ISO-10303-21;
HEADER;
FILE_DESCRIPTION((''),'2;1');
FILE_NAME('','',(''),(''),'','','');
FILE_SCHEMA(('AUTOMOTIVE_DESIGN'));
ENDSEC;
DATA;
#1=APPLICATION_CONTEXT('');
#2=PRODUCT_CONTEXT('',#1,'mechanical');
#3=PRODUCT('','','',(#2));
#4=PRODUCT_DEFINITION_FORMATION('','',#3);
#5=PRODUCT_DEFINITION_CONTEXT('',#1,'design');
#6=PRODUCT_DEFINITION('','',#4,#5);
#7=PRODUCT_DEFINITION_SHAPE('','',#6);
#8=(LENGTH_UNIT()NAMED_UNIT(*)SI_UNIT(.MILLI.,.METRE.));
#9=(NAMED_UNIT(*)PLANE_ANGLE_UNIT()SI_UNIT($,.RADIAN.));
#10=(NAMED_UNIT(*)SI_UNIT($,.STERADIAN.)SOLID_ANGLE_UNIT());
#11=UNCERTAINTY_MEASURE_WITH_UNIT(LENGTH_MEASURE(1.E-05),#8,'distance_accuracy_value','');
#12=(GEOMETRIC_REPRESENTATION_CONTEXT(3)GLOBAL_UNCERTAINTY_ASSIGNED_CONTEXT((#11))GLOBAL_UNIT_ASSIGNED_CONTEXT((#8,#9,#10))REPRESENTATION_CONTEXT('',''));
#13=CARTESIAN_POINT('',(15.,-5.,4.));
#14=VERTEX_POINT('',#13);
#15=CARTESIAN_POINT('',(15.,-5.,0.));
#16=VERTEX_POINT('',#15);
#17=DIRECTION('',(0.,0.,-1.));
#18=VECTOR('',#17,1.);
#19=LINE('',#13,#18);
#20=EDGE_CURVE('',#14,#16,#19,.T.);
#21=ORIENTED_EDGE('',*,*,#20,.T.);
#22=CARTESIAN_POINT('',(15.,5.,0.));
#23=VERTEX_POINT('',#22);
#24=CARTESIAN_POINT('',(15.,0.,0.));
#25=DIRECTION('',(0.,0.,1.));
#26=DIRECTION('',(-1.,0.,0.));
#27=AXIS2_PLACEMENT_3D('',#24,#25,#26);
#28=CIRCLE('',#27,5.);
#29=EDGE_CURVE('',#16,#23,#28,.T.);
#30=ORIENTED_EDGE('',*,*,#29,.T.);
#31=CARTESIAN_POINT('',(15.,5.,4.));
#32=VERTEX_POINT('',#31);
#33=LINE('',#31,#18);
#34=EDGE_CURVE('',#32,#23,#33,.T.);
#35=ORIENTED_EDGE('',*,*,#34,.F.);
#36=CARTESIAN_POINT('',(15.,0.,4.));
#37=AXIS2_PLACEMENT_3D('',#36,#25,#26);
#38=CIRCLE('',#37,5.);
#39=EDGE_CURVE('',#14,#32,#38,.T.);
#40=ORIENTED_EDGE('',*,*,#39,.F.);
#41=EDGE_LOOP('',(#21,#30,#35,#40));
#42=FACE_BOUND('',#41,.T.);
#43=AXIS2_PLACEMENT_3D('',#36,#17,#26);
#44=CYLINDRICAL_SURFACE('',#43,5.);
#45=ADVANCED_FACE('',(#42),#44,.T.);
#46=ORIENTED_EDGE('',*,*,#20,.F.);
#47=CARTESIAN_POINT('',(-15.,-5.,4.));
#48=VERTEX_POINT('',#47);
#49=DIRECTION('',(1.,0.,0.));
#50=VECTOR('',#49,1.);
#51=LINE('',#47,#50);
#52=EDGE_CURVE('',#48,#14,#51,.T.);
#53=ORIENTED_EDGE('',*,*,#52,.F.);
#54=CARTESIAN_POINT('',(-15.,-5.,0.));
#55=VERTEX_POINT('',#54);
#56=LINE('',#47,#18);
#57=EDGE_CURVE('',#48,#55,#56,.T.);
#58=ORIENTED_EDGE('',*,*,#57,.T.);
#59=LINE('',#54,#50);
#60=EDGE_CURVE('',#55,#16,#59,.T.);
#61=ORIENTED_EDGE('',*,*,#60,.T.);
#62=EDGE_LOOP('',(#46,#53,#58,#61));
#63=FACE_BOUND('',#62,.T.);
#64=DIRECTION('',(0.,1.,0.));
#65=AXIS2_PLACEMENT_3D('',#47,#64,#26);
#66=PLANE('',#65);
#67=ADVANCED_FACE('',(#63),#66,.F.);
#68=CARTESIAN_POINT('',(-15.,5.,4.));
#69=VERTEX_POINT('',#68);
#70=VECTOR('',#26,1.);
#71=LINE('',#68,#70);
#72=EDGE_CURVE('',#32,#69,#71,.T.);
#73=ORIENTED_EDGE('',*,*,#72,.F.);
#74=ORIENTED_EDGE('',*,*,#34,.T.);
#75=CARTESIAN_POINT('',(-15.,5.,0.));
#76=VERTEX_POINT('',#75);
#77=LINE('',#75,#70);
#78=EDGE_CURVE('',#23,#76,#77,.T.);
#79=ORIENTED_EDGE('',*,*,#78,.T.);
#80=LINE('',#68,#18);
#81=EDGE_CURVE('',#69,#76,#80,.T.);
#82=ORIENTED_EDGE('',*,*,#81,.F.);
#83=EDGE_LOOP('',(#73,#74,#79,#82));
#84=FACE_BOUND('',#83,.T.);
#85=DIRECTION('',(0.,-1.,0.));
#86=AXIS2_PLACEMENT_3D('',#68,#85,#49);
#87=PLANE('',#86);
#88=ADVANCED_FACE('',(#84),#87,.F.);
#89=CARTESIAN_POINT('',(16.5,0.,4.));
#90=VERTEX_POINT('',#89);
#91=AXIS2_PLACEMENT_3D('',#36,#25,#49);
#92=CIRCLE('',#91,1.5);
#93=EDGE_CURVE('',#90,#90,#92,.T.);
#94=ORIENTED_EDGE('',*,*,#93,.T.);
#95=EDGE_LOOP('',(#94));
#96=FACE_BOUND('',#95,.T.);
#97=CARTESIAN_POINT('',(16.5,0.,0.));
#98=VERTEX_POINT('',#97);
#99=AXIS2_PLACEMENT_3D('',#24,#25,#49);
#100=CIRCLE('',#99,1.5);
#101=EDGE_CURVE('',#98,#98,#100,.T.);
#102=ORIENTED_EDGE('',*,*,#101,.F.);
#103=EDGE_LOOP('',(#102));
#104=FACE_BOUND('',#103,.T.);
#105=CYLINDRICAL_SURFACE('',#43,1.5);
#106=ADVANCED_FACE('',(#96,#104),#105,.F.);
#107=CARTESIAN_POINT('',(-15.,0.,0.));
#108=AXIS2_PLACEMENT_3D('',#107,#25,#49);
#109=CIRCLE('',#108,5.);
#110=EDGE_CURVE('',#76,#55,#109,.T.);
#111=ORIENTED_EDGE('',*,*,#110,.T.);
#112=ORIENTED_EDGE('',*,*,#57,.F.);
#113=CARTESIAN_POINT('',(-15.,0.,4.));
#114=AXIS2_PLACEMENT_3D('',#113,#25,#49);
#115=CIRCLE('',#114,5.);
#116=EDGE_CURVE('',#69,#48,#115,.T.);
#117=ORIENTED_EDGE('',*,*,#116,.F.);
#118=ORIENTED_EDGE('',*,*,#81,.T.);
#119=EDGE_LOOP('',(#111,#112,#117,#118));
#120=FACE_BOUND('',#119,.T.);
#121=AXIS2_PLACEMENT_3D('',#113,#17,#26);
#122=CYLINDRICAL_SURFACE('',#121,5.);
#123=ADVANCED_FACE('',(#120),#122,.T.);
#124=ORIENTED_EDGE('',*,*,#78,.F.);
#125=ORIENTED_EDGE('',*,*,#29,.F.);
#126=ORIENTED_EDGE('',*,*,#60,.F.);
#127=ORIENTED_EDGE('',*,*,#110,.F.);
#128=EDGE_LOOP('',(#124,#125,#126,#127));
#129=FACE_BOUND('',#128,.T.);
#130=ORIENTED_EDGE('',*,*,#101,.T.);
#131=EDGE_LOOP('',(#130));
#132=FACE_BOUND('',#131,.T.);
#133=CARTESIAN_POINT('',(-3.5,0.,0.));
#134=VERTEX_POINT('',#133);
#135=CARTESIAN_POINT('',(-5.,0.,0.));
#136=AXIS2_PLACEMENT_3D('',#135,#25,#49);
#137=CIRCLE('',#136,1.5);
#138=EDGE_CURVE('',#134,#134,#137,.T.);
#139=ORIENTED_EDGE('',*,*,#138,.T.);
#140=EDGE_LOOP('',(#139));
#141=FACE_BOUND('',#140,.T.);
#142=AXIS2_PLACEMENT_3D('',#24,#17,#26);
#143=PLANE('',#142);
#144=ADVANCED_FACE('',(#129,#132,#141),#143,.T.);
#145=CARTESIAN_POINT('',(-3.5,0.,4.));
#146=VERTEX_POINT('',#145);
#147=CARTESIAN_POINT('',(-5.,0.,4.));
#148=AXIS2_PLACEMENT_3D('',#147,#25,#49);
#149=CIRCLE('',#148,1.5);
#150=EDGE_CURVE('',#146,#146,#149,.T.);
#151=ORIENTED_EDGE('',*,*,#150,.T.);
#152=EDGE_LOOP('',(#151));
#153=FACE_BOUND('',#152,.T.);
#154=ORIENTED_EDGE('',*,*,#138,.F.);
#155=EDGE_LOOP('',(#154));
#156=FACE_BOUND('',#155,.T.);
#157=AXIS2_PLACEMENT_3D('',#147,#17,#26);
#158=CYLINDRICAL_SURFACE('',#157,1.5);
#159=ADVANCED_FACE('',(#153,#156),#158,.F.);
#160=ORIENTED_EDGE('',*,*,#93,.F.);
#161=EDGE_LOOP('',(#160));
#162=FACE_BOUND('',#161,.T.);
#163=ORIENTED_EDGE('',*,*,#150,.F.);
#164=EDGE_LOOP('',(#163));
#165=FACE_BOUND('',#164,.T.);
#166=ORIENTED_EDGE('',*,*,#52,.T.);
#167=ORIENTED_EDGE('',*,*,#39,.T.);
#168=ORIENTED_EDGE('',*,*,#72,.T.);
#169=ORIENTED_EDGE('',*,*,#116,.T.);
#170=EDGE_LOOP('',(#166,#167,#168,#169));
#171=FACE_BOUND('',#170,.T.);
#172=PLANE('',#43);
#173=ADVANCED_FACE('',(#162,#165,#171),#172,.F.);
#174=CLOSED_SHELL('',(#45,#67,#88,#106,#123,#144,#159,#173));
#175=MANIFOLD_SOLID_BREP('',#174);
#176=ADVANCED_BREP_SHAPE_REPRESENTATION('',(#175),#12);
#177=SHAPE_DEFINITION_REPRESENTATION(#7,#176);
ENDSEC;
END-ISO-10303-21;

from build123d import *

# Parameters (mm, degrees)
ESQUISSE1_R        = 1.5
BOSS_EXTRU_1_DEPTH = 4


with BuildPart() as part:
    # Esquisse1 → Boss.-Extru.1 (new body)
    with BuildSketch(Plane.XY):
        with BuildLine():
            Line((-15, 5), (15, 5))
            ThreePointArc((15, 5), (20, 0), (15, -5))
            Line((15, -5), (-15, -5))
            ThreePointArc((-15, -5), (-20, 0), (-15, 5))
        make_face()
        with Locations((15, 0)):
            Circle(ESQUISSE1_R, mode=Mode.SUBTRACT)
        with Locations((-5, 0)):
            Circle(ESQUISSE1_R, mode=Mode.SUBTRACT)
    extrude(amount=BOSS_EXTRU_1_DEPTH)


solid = part.part
